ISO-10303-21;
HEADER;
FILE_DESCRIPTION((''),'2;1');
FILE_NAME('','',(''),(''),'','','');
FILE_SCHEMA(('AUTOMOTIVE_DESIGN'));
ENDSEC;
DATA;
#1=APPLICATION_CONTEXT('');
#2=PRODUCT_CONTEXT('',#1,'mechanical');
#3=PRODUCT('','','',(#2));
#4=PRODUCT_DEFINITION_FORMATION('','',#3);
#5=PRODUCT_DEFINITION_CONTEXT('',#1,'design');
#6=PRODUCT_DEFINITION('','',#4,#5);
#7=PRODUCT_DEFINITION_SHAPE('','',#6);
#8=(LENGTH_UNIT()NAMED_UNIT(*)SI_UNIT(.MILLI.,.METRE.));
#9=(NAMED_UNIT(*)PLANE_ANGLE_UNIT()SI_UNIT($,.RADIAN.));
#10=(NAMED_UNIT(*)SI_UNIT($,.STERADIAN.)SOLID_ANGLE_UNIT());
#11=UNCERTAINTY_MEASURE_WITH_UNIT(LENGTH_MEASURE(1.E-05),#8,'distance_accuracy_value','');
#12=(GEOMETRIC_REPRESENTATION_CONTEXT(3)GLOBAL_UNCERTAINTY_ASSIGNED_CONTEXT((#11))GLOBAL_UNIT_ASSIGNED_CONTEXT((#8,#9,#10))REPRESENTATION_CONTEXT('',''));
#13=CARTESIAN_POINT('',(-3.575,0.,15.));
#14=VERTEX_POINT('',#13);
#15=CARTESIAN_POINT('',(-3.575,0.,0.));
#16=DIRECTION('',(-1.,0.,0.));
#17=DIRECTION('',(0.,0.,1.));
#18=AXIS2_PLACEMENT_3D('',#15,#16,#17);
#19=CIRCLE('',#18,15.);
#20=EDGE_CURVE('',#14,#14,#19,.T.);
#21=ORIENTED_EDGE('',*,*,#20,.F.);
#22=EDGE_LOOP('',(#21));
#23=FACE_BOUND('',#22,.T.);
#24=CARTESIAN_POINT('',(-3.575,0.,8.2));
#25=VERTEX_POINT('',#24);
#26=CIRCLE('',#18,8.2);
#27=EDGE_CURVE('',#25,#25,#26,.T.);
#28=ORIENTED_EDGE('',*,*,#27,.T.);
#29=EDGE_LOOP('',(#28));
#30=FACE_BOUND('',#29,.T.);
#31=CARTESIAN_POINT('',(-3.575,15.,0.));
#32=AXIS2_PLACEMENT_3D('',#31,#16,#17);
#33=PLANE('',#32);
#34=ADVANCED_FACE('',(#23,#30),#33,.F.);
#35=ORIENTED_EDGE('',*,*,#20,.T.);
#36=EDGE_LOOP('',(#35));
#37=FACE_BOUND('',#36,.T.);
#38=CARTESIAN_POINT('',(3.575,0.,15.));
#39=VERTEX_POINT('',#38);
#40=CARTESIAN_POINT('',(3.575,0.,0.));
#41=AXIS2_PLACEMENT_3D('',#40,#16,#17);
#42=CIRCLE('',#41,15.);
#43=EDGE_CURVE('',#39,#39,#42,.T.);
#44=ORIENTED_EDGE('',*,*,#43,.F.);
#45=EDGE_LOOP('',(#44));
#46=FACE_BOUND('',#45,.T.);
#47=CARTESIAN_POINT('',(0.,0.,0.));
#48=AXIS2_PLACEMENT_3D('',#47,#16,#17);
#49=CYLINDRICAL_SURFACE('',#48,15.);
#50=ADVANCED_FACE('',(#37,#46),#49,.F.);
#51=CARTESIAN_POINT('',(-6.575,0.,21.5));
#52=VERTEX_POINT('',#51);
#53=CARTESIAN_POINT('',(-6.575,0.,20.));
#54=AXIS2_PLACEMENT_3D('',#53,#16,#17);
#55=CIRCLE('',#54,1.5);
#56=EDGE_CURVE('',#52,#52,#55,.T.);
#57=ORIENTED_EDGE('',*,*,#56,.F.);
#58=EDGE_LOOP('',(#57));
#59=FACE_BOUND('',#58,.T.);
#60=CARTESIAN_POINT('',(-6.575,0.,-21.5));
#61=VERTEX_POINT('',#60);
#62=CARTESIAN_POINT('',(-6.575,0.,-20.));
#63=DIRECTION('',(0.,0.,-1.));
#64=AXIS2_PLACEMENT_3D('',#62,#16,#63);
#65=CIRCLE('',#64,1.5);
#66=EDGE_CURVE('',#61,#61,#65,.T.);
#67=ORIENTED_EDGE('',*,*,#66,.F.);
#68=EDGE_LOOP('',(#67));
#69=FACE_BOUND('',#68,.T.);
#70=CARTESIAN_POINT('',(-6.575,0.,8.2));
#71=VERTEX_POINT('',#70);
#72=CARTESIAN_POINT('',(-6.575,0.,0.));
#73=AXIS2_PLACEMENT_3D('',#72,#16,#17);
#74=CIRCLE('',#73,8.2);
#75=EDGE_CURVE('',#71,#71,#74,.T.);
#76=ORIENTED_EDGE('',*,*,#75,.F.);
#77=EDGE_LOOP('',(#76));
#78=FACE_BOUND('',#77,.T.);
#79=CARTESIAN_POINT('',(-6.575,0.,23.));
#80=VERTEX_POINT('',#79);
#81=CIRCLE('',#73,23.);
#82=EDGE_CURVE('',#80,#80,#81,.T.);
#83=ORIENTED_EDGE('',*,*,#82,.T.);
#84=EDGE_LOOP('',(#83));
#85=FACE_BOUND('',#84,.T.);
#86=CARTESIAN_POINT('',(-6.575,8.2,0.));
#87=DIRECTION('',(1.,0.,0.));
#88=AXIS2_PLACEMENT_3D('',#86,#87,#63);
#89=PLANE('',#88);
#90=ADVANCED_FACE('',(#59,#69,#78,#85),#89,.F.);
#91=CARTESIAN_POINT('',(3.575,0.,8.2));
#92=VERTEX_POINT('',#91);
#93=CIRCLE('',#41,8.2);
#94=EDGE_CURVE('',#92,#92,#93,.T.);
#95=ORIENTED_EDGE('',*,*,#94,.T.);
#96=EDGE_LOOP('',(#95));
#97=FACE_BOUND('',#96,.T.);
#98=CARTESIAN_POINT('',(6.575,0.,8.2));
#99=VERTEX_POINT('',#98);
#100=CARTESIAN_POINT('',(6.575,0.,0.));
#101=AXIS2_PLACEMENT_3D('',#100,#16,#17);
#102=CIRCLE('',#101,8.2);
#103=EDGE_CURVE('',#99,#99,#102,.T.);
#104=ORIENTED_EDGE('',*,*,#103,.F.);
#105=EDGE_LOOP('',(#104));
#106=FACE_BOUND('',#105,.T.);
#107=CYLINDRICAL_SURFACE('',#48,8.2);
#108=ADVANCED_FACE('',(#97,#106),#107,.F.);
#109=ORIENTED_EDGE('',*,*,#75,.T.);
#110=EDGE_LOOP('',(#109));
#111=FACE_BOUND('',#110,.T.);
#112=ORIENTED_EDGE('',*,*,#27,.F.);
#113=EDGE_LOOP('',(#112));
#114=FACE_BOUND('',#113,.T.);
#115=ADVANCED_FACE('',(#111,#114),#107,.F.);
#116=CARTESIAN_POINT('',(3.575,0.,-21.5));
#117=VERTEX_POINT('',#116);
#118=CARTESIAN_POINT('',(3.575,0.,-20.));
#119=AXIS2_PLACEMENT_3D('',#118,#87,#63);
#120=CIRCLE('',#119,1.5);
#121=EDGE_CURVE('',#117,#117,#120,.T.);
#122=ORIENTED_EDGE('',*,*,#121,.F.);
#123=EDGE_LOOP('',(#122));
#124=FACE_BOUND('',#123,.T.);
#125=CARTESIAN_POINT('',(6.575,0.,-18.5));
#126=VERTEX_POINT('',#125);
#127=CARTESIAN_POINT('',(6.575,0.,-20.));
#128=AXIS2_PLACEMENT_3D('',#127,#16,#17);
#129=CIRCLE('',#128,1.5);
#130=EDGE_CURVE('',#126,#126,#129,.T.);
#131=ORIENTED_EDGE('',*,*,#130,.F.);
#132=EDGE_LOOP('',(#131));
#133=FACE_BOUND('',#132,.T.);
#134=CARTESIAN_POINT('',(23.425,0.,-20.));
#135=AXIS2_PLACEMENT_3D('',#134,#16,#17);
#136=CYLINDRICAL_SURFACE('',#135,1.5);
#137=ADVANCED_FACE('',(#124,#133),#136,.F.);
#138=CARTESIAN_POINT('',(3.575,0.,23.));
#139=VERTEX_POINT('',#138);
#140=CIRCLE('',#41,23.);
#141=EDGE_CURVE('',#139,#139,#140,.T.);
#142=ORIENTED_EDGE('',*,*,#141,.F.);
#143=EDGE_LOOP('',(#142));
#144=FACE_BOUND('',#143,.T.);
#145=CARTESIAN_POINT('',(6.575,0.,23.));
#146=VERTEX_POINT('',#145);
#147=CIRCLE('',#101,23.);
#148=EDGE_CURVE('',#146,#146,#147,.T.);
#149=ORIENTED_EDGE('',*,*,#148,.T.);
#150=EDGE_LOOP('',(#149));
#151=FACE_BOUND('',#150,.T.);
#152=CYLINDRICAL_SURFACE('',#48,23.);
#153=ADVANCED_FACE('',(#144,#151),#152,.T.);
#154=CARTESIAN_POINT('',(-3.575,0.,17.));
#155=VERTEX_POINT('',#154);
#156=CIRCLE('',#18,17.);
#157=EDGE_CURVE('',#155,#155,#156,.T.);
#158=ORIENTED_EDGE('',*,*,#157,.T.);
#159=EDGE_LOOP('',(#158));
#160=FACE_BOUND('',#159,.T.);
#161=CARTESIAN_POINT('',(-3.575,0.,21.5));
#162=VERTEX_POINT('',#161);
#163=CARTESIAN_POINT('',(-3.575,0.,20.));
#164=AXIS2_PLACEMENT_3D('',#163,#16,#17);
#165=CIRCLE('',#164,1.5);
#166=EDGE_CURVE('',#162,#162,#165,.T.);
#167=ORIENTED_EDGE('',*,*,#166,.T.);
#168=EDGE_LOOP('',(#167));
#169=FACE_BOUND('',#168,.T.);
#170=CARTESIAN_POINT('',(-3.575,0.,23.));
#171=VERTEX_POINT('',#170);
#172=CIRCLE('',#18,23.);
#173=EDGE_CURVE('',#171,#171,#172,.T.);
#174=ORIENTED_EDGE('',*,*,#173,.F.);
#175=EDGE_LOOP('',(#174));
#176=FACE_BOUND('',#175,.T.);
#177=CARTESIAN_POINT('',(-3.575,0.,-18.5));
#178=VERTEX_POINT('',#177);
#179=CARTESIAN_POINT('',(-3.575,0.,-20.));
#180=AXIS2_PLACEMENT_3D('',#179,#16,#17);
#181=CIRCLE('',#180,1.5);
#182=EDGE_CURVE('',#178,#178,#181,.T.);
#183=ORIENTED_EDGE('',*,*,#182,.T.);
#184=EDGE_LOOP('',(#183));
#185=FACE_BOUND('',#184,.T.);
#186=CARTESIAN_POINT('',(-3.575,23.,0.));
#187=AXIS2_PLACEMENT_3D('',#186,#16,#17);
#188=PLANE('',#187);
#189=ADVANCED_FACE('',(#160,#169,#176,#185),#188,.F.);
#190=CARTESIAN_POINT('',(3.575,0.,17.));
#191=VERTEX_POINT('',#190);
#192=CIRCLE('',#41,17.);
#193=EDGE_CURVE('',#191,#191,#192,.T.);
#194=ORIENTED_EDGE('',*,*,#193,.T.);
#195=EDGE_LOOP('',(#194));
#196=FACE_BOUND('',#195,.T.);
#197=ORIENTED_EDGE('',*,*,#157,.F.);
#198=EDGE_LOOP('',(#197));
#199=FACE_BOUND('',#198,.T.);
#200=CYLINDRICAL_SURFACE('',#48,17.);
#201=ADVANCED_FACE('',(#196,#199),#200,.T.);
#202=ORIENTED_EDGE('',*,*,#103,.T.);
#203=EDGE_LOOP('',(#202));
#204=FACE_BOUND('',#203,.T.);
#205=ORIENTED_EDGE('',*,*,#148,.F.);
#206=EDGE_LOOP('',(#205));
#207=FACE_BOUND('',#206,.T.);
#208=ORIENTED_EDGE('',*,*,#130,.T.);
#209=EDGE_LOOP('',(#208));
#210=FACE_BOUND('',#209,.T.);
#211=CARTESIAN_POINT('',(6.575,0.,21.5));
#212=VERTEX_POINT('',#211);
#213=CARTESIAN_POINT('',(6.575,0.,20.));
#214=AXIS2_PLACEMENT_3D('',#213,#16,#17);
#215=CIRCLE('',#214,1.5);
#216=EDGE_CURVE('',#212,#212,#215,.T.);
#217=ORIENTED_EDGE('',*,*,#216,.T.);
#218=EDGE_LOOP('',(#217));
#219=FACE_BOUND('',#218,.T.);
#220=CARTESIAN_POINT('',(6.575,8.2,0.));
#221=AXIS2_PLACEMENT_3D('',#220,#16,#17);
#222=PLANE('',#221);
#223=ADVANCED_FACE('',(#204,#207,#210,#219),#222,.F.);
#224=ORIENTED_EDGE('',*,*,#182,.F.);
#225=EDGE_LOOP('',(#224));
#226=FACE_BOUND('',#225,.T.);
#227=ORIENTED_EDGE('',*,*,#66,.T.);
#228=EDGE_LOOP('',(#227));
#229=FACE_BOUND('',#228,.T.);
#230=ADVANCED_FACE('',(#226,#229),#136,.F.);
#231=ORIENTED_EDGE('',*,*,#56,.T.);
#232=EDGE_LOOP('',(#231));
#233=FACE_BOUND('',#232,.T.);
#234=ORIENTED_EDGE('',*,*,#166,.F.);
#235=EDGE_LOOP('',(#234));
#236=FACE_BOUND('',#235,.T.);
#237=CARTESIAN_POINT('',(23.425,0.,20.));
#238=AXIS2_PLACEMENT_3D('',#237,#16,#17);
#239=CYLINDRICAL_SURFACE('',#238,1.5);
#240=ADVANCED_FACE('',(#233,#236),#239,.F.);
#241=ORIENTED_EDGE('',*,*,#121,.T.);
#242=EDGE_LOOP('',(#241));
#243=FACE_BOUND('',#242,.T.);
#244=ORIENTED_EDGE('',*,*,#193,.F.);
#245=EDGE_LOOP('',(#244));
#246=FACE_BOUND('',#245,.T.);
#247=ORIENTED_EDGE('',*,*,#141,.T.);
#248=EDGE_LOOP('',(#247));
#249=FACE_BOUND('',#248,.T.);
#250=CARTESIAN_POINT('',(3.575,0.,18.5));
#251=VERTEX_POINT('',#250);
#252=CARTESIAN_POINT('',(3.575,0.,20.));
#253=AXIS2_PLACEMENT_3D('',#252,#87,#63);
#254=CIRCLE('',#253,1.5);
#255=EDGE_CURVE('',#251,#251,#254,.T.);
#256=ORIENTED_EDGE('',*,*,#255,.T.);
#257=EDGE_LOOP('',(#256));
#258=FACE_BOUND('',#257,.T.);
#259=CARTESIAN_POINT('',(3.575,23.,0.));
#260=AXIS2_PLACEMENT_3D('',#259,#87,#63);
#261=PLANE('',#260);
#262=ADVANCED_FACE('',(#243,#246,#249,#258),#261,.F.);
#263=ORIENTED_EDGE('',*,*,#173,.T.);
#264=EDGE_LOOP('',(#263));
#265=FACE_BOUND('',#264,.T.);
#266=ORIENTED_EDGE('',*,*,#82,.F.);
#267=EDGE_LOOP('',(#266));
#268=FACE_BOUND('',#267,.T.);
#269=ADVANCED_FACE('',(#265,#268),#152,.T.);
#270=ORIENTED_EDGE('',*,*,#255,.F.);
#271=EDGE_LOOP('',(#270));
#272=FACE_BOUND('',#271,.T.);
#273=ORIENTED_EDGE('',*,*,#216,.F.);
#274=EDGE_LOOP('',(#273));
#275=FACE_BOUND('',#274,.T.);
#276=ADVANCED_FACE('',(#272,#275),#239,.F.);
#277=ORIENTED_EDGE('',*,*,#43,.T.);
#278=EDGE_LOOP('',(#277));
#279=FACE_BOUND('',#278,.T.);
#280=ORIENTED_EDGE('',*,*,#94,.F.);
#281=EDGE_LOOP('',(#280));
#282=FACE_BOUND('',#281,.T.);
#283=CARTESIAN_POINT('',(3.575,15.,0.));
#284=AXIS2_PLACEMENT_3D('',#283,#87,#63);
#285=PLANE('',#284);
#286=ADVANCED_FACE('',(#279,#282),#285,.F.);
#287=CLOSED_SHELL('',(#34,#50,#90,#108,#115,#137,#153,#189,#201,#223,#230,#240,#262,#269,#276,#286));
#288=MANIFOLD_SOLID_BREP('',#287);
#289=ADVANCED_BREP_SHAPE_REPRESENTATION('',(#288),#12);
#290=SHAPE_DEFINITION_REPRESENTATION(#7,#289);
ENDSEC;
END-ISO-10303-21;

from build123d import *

# Parameters (mm, degrees)
SKETCH_2_R          = 1.5
CUT_EXTRUDE_1_DEPTH = 30


with BuildPart() as part:
    # 草图1 → 旋转1 (revolve)
    with BuildSketch(Plane.XY, mode=Mode.PRIVATE) as revolve_1_sk:
        Polygon((-3.575, 15), (3.575, 15), (3.575, 8.2), (6.575, 8.2), (6.575, 23), (3.575, 23), (3.575, 17), (-3.575, 17), (-3.575, 23), (-6.575, 23), (-6.575, 8.2), (-3.575, 8.2), align=None)
    revolve(revolve_1_sk.sketch.rotate(Axis((0, 0, 0), (1, 0, 0)), 90), axis=Axis((0, 0, 0), (1, 0, 0)))

    # 草图2 → 切除-拉伸1 (cut)
    with BuildSketch(Plane.ZY.offset(6.575)):
        with Locations((20, 0)):
            Circle(SKETCH_2_R)
        with Locations((-20, 0)):
            Circle(SKETCH_2_R)
    extrude(amount=-CUT_EXTRUDE_1_DEPTH, mode=Mode.SUBTRACT)


solid = part.part
